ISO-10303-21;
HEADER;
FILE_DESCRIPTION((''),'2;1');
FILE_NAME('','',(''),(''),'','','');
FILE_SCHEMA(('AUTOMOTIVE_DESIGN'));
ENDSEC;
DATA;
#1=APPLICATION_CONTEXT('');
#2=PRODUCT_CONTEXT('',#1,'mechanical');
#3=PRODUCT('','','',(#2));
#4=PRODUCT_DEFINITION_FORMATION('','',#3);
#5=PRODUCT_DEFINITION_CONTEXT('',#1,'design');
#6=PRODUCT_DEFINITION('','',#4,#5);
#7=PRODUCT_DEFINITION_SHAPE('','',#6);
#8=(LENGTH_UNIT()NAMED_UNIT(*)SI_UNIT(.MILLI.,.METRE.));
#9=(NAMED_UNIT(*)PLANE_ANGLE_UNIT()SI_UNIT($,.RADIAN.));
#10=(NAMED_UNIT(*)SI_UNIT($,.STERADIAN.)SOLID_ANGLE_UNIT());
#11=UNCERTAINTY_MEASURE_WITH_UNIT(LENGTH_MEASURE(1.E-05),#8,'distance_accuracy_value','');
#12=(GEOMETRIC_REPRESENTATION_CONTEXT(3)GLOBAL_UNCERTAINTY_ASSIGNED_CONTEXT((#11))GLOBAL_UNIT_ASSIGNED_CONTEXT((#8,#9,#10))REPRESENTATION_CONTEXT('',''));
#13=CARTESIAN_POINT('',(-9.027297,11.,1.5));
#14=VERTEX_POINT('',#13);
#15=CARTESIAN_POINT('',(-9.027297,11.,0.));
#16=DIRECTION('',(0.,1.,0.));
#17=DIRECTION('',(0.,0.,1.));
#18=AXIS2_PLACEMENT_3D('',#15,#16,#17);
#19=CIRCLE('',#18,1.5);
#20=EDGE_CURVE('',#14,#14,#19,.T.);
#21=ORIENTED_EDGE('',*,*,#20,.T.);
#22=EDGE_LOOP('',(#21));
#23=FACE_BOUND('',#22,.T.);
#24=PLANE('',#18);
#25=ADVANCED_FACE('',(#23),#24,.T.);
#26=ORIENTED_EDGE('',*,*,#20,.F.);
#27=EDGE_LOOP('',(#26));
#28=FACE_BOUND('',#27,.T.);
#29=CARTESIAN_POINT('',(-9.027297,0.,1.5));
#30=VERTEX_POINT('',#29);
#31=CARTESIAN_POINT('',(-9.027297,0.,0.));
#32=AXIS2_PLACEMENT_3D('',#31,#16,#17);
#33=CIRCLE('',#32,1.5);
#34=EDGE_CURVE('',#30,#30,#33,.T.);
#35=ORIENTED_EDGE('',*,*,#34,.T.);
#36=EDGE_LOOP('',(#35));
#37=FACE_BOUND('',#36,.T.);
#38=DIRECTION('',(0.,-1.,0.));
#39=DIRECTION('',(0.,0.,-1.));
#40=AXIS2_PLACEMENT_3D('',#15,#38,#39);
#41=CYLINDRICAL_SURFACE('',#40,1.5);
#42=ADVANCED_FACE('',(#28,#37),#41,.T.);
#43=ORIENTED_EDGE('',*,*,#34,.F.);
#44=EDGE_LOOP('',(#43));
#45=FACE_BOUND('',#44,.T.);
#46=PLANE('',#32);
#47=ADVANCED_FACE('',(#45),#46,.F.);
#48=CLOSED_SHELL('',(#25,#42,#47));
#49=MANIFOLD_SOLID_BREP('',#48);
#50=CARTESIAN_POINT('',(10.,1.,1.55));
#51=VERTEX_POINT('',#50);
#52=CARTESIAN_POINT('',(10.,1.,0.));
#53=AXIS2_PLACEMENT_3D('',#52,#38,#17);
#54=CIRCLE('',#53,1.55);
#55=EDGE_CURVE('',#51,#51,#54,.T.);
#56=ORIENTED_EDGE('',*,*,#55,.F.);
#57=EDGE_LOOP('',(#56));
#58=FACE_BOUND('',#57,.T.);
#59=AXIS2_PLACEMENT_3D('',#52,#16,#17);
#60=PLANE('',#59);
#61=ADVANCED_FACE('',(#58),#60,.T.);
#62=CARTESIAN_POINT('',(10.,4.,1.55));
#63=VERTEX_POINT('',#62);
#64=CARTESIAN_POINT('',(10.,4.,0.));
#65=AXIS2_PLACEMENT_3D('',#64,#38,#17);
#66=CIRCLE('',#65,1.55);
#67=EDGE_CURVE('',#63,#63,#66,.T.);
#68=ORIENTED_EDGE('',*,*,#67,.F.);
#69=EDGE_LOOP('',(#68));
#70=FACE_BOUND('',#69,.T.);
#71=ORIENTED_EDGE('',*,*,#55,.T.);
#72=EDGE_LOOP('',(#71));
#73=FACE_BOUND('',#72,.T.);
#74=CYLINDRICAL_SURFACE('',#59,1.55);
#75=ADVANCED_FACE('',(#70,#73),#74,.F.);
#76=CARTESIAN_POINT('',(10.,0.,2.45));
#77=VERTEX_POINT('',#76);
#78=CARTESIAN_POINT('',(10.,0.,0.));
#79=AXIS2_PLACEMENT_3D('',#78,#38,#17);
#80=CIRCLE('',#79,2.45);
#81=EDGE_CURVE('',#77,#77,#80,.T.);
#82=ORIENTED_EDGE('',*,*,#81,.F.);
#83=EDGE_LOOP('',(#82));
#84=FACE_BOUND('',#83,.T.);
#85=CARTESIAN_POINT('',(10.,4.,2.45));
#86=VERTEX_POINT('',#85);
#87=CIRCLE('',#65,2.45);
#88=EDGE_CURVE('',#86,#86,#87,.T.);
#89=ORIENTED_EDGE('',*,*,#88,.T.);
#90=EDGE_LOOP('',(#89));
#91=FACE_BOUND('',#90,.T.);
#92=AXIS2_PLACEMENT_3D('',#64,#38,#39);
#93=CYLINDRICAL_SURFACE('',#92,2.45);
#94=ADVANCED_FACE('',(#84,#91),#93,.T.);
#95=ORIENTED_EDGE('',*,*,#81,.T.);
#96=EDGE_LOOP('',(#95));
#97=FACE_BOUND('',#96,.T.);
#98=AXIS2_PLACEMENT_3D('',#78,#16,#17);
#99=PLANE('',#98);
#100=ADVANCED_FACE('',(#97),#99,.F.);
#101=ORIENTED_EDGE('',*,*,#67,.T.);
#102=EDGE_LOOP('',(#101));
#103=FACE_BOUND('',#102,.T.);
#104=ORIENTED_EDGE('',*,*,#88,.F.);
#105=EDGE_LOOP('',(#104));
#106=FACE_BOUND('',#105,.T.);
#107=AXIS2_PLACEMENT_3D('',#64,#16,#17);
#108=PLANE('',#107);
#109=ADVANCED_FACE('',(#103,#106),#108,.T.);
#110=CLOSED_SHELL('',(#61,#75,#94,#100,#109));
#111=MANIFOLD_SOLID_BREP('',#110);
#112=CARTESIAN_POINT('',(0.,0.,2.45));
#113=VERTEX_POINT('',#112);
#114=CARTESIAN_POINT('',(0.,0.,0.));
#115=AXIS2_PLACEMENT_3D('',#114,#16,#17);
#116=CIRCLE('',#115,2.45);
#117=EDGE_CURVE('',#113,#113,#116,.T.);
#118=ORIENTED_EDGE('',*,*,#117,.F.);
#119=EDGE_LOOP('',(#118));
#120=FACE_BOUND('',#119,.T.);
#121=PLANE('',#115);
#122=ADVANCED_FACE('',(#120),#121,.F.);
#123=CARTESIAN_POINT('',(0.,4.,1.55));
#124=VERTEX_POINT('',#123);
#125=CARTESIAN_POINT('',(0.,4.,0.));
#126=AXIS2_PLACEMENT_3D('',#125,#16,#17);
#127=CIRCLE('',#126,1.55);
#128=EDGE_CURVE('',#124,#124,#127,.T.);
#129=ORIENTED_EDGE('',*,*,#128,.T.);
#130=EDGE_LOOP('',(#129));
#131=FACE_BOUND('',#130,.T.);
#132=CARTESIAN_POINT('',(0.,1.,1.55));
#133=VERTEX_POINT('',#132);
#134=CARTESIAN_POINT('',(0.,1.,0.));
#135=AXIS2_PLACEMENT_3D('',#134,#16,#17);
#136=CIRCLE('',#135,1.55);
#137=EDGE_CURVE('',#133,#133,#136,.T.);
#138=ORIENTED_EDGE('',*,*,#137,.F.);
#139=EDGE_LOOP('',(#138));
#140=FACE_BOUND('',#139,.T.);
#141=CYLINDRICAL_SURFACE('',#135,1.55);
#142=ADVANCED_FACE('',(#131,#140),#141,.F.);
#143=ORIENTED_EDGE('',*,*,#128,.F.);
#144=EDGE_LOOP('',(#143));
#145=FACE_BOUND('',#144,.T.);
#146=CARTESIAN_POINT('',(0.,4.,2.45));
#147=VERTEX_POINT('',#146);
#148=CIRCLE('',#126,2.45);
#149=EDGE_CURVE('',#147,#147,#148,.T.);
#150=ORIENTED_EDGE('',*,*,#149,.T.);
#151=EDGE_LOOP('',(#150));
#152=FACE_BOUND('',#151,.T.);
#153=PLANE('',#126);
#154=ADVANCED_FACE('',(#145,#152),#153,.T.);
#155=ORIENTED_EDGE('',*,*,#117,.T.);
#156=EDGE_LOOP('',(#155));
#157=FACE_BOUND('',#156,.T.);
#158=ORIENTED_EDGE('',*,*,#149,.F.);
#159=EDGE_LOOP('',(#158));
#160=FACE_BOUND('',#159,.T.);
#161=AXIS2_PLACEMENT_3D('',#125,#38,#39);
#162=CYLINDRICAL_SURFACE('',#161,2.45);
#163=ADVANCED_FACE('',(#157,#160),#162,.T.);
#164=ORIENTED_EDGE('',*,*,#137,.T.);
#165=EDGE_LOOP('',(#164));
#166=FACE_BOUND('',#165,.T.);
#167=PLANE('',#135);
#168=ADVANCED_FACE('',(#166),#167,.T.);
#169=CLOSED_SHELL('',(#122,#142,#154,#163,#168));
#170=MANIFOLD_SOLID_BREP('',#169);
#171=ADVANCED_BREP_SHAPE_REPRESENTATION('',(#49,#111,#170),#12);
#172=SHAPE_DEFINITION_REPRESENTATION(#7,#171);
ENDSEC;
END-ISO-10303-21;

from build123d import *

# Parameters (mm, degrees)
SKETCH1_R           = 2.45
BOSS_EXTRUDE1_DEPTH = 4
SKETCH2_R           = 1.5
BOSS_EXTRUDE2_DEPTH = 11
SKETCH4_R           = 1.55
CUT_EXTRUDE1_DEPTH  = 3


with BuildPart() as part:
    # Sketch1 → Boss-Extrude1 (new body)
    with BuildSketch(Plane(origin=(0, 0, 0), x_dir=(1, 0, 0), z_dir=(0, 1, 0))):
        with Locations(Location((0, 0, 0), (0, 0, 270))):
            Circle(SKETCH1_R)
    extrude(amount=BOSS_EXTRUDE1_DEPTH)

    # Sketch4 → Cut-Extrude1 (cut)
    with BuildSketch(Plane(origin=(0, 4, 0), x_dir=(1, 0, 0), z_dir=(0, 1, 0))):
        with Locations(Location((0, 0, 0), (0, 0, 270))):
            Circle(SKETCH4_R)
    extrude(amount=-CUT_EXTRUDE1_DEPTH, mode=Mode.SUBTRACT)


with BuildPart() as body_2:
    # Sketch2 → Boss-Extrude2 (new body)
    with BuildSketch(Plane(origin=(0, 0, 0), x_dir=(1, 0, 0), z_dir=(0, 1, 0))):
        with Locations(Location((-9.027296586, 0, 0), (0, 0, 270))):
            Circle(SKETCH2_R)
    extrude(amount=BOSS_EXTRUDE2_DEPTH)


with BuildPart() as body_3:
    # Mirror1: mirrored copy
    add(part.part.mirror(Plane(origin=(5, 0, 0), x_dir=(0, 0, 1), z_dir=(1, 0, 0))))


solid = Compound([part.part, body_2.part, body_3.part])
